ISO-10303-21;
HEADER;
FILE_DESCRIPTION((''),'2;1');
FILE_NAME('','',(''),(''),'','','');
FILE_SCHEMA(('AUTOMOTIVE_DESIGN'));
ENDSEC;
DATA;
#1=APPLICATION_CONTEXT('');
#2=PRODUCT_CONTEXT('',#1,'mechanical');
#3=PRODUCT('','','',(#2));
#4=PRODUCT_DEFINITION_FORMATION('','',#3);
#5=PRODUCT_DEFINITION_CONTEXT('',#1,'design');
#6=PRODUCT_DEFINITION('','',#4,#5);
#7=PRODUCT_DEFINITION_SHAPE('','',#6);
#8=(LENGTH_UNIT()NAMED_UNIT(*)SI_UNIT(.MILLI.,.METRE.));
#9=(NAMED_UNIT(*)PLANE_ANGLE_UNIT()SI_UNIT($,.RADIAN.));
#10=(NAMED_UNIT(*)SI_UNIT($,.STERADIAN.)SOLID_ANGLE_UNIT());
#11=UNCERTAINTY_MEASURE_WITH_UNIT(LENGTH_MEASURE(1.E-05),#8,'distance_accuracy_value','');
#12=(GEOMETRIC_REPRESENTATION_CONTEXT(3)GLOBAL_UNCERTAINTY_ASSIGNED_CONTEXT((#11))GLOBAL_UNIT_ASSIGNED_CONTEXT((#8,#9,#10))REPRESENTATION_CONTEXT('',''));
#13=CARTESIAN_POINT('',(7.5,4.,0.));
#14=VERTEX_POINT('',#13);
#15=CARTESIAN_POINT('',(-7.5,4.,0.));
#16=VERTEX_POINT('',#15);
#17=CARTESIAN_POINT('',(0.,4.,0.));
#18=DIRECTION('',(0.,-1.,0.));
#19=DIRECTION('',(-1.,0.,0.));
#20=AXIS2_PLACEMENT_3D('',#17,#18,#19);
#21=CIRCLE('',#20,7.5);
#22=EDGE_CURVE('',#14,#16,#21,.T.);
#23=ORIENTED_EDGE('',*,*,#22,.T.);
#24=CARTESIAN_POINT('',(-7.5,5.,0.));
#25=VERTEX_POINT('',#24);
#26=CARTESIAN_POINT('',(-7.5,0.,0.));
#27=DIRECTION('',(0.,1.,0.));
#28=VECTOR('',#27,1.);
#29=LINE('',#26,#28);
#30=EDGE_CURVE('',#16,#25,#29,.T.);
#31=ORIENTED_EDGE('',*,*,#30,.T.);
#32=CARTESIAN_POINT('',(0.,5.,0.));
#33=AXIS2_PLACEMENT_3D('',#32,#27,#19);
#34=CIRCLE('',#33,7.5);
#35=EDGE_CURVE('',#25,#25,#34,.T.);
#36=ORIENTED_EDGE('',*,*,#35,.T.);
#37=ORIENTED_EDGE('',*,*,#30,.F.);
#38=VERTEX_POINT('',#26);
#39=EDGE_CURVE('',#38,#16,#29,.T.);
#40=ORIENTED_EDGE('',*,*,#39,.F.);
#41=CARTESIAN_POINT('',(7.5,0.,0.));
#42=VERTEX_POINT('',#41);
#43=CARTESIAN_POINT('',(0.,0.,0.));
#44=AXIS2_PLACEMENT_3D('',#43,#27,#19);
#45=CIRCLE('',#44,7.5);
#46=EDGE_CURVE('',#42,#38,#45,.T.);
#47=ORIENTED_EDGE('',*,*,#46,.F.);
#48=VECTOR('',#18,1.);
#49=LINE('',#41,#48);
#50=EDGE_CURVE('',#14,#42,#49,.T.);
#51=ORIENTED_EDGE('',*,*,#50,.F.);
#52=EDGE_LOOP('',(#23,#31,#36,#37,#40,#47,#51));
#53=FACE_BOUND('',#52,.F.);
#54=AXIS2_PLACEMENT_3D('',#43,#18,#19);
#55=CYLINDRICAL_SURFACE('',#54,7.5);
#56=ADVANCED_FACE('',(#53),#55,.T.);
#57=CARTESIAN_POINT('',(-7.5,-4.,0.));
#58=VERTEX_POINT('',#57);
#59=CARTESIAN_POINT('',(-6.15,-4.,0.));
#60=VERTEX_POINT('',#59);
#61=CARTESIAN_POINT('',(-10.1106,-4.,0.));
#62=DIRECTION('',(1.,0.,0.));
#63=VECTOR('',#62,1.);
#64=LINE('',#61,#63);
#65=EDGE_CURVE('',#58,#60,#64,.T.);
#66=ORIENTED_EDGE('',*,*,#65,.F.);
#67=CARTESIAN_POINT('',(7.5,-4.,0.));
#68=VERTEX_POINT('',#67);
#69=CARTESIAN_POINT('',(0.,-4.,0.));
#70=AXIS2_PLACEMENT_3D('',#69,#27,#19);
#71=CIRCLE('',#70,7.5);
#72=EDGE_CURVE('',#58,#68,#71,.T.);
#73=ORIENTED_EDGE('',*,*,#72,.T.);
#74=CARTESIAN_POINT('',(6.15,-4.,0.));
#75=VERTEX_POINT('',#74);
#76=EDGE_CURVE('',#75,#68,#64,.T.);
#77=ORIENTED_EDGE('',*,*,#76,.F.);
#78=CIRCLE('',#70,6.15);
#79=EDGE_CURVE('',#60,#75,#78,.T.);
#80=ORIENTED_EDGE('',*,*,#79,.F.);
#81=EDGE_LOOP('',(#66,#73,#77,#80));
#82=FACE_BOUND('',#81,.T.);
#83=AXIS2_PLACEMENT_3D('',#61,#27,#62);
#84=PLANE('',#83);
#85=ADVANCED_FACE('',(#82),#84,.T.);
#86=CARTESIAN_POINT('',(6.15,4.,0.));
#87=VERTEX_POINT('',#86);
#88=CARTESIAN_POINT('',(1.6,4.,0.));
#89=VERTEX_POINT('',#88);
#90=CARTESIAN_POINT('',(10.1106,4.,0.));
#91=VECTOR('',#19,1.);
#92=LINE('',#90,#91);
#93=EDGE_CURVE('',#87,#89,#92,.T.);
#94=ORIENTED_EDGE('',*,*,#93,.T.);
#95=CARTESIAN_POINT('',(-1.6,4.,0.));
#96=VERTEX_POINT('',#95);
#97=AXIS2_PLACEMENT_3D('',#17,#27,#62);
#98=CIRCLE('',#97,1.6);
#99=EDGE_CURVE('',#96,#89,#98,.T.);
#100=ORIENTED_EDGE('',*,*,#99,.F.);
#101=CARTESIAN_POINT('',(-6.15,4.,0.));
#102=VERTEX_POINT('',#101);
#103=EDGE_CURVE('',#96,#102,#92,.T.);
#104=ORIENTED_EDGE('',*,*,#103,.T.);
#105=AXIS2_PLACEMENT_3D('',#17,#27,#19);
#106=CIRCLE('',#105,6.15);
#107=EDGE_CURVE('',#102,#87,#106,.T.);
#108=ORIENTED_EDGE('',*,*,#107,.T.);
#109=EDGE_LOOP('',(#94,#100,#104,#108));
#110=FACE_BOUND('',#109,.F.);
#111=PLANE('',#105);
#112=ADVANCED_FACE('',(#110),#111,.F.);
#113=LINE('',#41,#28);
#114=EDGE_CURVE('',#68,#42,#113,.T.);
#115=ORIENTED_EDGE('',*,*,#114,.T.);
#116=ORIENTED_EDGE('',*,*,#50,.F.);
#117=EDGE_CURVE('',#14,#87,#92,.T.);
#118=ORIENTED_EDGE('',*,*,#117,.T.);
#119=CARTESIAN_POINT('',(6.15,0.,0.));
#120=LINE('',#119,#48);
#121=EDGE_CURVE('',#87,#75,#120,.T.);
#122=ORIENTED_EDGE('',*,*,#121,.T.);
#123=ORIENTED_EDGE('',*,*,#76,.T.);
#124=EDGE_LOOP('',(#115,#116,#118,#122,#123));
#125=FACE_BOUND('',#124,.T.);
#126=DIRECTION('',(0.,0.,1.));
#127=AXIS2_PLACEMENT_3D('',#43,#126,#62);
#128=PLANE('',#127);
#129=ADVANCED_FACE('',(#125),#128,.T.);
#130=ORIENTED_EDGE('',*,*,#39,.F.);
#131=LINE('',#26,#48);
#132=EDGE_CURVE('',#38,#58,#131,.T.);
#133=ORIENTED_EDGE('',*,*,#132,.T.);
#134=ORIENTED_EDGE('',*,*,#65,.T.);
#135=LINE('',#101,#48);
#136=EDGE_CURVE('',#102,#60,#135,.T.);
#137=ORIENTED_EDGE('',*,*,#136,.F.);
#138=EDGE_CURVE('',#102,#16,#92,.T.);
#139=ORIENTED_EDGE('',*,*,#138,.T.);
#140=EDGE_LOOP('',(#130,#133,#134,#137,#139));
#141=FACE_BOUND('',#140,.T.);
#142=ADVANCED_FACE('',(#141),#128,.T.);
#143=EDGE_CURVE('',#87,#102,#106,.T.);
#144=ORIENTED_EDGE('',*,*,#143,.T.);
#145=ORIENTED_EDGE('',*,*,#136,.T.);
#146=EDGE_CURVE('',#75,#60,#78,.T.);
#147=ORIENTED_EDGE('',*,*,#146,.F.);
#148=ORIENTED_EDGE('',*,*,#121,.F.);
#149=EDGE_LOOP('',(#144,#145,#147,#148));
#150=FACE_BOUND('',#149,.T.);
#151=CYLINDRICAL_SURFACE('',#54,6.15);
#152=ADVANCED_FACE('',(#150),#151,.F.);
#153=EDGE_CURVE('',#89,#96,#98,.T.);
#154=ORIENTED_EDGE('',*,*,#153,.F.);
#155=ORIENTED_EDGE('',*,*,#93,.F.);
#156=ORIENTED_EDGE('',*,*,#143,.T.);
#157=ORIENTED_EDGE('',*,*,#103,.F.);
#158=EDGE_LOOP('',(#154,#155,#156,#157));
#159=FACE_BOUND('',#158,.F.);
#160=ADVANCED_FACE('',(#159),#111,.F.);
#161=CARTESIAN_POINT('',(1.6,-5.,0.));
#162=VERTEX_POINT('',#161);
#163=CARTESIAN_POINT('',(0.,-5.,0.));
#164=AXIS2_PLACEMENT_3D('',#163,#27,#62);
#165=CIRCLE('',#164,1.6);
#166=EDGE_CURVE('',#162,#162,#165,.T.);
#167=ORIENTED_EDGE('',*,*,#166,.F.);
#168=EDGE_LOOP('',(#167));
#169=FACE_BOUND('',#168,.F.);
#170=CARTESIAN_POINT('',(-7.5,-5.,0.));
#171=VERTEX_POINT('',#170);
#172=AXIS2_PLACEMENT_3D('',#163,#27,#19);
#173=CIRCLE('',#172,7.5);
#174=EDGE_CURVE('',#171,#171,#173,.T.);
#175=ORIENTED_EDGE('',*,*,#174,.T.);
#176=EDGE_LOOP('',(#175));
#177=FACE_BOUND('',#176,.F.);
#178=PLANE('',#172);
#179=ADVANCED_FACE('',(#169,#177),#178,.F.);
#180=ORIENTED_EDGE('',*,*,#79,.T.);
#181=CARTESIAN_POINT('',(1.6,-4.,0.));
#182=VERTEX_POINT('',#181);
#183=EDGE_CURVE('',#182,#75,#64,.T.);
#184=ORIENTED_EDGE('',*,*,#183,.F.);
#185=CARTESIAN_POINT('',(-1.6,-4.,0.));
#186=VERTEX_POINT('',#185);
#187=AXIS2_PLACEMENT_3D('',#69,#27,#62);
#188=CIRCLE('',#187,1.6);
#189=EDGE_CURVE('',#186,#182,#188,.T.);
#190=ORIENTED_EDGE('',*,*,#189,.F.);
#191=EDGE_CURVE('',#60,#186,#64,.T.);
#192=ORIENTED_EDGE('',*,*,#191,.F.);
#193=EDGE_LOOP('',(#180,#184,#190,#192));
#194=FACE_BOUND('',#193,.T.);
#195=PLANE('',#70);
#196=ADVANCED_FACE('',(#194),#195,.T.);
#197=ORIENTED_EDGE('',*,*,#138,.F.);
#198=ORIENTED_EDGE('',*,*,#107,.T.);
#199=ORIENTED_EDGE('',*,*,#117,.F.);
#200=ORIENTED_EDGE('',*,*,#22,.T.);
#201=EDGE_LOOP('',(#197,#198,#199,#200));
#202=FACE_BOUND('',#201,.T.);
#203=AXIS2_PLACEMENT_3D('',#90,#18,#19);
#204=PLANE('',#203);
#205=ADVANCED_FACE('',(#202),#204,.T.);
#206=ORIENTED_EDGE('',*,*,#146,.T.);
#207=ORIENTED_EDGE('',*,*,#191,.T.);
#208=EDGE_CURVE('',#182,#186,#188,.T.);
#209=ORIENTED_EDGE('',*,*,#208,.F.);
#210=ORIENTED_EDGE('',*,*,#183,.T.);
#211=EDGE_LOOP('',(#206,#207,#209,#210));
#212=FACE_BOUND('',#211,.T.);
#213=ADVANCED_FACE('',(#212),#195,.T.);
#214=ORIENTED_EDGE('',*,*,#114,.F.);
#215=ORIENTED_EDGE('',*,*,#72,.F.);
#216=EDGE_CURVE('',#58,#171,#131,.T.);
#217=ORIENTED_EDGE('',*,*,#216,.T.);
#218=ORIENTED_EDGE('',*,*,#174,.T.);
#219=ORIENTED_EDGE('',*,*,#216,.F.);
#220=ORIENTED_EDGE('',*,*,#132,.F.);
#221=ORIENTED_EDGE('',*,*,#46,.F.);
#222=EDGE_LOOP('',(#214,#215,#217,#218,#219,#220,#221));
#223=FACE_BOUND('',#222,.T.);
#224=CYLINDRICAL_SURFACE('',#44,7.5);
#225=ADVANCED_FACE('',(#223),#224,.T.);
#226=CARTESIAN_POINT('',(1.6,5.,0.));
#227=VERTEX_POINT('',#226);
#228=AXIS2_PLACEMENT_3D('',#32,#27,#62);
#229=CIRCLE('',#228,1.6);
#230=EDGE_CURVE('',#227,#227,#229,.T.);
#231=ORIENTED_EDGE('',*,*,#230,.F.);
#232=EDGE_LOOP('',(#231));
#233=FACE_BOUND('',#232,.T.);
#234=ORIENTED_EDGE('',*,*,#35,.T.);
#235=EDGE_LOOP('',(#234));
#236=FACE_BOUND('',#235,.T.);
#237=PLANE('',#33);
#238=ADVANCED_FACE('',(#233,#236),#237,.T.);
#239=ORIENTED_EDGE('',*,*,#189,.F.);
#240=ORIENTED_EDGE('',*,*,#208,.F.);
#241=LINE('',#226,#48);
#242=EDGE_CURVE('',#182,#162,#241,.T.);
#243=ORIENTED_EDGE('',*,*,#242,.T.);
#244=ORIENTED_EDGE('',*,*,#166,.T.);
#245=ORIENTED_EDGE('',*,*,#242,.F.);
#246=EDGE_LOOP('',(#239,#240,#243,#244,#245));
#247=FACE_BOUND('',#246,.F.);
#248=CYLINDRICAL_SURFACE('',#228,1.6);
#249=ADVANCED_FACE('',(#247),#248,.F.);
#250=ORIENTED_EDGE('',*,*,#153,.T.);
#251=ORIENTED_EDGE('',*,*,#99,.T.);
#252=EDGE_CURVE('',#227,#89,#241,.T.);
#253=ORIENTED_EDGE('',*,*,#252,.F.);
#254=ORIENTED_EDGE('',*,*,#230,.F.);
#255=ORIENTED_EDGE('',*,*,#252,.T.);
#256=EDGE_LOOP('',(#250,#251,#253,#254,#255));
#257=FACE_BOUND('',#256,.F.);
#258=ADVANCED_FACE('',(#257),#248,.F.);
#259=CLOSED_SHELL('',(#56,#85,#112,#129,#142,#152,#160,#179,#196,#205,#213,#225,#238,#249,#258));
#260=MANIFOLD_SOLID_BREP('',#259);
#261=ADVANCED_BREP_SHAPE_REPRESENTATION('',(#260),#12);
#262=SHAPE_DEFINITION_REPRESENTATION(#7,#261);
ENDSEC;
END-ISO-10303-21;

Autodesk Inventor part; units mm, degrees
ref_plane "YZ Plane" through (0, 0, 0) normal (1, 0, 0) x (0, 1, 0)
ref_plane "XZ Plane" through (0, 0, 0) normal (0, 1, 0) x (-1, 0, 0)
ref_plane "XY Plane" through (0, 0, 0) normal (0, 0, 1) x (1, 0, 0)
sketch "Boceto1" plane through (0, 0, 0) normal (0, 1, 0) x (-1, 0, 0)
  circle A0 centre (0, 0) radius 7.5
  dimension "d0" = 15
extrude "Extrusión1" add sketch "Boceto1" along normal mid plane 10
sketch "Boceto2" plane through (0, 0, 0) normal (0, 1, 0) x (-1, 0, 0)
  circle A0 centre (0, 0) radius 6.15
  dimension "d3" = 12.3
extrude "Extrusión2" cut sketch "Boceto2" along normal mid plane 8
sketch "Boceto3" plane through (0, 5, 0) normal (0, 1, 0) x (1, 0, 0)
  circle A0 centre (0, 0) radius 1.6
  dimension "d6" = 3.2
extrude "Extrusión3" cut sketch "Boceto3" against normal through all
sketch "Boceto4" plane through (0, 0, 0) normal (0, 0, 1) x (1, 0, 0)
  line L0 (-10.1106, -4) -> (10.1106, -4)
  line L1 (10.1106, -4) -> (10.1106, 4)
  line L2 (10.1106, 4) -> (-10.1106, 4)
  line L3 (-10.1106, 4) -> (-10.1106, -4)
  line L4 (-10.1106, -4) -> (10.1106, 4) construction
  line L5 (10.1106, -4) -> (-10.1106, 4) construction
  line L6 (-7.5, -5) -> (7.5, -5) projected
  point P0 (0, 0)
  dimension "d11" = 8
  dimension "d12" = 1
extrude "Extrusión4" cut sketch "Boceto4" along normal through all
properties part number "Rubberfoot"
